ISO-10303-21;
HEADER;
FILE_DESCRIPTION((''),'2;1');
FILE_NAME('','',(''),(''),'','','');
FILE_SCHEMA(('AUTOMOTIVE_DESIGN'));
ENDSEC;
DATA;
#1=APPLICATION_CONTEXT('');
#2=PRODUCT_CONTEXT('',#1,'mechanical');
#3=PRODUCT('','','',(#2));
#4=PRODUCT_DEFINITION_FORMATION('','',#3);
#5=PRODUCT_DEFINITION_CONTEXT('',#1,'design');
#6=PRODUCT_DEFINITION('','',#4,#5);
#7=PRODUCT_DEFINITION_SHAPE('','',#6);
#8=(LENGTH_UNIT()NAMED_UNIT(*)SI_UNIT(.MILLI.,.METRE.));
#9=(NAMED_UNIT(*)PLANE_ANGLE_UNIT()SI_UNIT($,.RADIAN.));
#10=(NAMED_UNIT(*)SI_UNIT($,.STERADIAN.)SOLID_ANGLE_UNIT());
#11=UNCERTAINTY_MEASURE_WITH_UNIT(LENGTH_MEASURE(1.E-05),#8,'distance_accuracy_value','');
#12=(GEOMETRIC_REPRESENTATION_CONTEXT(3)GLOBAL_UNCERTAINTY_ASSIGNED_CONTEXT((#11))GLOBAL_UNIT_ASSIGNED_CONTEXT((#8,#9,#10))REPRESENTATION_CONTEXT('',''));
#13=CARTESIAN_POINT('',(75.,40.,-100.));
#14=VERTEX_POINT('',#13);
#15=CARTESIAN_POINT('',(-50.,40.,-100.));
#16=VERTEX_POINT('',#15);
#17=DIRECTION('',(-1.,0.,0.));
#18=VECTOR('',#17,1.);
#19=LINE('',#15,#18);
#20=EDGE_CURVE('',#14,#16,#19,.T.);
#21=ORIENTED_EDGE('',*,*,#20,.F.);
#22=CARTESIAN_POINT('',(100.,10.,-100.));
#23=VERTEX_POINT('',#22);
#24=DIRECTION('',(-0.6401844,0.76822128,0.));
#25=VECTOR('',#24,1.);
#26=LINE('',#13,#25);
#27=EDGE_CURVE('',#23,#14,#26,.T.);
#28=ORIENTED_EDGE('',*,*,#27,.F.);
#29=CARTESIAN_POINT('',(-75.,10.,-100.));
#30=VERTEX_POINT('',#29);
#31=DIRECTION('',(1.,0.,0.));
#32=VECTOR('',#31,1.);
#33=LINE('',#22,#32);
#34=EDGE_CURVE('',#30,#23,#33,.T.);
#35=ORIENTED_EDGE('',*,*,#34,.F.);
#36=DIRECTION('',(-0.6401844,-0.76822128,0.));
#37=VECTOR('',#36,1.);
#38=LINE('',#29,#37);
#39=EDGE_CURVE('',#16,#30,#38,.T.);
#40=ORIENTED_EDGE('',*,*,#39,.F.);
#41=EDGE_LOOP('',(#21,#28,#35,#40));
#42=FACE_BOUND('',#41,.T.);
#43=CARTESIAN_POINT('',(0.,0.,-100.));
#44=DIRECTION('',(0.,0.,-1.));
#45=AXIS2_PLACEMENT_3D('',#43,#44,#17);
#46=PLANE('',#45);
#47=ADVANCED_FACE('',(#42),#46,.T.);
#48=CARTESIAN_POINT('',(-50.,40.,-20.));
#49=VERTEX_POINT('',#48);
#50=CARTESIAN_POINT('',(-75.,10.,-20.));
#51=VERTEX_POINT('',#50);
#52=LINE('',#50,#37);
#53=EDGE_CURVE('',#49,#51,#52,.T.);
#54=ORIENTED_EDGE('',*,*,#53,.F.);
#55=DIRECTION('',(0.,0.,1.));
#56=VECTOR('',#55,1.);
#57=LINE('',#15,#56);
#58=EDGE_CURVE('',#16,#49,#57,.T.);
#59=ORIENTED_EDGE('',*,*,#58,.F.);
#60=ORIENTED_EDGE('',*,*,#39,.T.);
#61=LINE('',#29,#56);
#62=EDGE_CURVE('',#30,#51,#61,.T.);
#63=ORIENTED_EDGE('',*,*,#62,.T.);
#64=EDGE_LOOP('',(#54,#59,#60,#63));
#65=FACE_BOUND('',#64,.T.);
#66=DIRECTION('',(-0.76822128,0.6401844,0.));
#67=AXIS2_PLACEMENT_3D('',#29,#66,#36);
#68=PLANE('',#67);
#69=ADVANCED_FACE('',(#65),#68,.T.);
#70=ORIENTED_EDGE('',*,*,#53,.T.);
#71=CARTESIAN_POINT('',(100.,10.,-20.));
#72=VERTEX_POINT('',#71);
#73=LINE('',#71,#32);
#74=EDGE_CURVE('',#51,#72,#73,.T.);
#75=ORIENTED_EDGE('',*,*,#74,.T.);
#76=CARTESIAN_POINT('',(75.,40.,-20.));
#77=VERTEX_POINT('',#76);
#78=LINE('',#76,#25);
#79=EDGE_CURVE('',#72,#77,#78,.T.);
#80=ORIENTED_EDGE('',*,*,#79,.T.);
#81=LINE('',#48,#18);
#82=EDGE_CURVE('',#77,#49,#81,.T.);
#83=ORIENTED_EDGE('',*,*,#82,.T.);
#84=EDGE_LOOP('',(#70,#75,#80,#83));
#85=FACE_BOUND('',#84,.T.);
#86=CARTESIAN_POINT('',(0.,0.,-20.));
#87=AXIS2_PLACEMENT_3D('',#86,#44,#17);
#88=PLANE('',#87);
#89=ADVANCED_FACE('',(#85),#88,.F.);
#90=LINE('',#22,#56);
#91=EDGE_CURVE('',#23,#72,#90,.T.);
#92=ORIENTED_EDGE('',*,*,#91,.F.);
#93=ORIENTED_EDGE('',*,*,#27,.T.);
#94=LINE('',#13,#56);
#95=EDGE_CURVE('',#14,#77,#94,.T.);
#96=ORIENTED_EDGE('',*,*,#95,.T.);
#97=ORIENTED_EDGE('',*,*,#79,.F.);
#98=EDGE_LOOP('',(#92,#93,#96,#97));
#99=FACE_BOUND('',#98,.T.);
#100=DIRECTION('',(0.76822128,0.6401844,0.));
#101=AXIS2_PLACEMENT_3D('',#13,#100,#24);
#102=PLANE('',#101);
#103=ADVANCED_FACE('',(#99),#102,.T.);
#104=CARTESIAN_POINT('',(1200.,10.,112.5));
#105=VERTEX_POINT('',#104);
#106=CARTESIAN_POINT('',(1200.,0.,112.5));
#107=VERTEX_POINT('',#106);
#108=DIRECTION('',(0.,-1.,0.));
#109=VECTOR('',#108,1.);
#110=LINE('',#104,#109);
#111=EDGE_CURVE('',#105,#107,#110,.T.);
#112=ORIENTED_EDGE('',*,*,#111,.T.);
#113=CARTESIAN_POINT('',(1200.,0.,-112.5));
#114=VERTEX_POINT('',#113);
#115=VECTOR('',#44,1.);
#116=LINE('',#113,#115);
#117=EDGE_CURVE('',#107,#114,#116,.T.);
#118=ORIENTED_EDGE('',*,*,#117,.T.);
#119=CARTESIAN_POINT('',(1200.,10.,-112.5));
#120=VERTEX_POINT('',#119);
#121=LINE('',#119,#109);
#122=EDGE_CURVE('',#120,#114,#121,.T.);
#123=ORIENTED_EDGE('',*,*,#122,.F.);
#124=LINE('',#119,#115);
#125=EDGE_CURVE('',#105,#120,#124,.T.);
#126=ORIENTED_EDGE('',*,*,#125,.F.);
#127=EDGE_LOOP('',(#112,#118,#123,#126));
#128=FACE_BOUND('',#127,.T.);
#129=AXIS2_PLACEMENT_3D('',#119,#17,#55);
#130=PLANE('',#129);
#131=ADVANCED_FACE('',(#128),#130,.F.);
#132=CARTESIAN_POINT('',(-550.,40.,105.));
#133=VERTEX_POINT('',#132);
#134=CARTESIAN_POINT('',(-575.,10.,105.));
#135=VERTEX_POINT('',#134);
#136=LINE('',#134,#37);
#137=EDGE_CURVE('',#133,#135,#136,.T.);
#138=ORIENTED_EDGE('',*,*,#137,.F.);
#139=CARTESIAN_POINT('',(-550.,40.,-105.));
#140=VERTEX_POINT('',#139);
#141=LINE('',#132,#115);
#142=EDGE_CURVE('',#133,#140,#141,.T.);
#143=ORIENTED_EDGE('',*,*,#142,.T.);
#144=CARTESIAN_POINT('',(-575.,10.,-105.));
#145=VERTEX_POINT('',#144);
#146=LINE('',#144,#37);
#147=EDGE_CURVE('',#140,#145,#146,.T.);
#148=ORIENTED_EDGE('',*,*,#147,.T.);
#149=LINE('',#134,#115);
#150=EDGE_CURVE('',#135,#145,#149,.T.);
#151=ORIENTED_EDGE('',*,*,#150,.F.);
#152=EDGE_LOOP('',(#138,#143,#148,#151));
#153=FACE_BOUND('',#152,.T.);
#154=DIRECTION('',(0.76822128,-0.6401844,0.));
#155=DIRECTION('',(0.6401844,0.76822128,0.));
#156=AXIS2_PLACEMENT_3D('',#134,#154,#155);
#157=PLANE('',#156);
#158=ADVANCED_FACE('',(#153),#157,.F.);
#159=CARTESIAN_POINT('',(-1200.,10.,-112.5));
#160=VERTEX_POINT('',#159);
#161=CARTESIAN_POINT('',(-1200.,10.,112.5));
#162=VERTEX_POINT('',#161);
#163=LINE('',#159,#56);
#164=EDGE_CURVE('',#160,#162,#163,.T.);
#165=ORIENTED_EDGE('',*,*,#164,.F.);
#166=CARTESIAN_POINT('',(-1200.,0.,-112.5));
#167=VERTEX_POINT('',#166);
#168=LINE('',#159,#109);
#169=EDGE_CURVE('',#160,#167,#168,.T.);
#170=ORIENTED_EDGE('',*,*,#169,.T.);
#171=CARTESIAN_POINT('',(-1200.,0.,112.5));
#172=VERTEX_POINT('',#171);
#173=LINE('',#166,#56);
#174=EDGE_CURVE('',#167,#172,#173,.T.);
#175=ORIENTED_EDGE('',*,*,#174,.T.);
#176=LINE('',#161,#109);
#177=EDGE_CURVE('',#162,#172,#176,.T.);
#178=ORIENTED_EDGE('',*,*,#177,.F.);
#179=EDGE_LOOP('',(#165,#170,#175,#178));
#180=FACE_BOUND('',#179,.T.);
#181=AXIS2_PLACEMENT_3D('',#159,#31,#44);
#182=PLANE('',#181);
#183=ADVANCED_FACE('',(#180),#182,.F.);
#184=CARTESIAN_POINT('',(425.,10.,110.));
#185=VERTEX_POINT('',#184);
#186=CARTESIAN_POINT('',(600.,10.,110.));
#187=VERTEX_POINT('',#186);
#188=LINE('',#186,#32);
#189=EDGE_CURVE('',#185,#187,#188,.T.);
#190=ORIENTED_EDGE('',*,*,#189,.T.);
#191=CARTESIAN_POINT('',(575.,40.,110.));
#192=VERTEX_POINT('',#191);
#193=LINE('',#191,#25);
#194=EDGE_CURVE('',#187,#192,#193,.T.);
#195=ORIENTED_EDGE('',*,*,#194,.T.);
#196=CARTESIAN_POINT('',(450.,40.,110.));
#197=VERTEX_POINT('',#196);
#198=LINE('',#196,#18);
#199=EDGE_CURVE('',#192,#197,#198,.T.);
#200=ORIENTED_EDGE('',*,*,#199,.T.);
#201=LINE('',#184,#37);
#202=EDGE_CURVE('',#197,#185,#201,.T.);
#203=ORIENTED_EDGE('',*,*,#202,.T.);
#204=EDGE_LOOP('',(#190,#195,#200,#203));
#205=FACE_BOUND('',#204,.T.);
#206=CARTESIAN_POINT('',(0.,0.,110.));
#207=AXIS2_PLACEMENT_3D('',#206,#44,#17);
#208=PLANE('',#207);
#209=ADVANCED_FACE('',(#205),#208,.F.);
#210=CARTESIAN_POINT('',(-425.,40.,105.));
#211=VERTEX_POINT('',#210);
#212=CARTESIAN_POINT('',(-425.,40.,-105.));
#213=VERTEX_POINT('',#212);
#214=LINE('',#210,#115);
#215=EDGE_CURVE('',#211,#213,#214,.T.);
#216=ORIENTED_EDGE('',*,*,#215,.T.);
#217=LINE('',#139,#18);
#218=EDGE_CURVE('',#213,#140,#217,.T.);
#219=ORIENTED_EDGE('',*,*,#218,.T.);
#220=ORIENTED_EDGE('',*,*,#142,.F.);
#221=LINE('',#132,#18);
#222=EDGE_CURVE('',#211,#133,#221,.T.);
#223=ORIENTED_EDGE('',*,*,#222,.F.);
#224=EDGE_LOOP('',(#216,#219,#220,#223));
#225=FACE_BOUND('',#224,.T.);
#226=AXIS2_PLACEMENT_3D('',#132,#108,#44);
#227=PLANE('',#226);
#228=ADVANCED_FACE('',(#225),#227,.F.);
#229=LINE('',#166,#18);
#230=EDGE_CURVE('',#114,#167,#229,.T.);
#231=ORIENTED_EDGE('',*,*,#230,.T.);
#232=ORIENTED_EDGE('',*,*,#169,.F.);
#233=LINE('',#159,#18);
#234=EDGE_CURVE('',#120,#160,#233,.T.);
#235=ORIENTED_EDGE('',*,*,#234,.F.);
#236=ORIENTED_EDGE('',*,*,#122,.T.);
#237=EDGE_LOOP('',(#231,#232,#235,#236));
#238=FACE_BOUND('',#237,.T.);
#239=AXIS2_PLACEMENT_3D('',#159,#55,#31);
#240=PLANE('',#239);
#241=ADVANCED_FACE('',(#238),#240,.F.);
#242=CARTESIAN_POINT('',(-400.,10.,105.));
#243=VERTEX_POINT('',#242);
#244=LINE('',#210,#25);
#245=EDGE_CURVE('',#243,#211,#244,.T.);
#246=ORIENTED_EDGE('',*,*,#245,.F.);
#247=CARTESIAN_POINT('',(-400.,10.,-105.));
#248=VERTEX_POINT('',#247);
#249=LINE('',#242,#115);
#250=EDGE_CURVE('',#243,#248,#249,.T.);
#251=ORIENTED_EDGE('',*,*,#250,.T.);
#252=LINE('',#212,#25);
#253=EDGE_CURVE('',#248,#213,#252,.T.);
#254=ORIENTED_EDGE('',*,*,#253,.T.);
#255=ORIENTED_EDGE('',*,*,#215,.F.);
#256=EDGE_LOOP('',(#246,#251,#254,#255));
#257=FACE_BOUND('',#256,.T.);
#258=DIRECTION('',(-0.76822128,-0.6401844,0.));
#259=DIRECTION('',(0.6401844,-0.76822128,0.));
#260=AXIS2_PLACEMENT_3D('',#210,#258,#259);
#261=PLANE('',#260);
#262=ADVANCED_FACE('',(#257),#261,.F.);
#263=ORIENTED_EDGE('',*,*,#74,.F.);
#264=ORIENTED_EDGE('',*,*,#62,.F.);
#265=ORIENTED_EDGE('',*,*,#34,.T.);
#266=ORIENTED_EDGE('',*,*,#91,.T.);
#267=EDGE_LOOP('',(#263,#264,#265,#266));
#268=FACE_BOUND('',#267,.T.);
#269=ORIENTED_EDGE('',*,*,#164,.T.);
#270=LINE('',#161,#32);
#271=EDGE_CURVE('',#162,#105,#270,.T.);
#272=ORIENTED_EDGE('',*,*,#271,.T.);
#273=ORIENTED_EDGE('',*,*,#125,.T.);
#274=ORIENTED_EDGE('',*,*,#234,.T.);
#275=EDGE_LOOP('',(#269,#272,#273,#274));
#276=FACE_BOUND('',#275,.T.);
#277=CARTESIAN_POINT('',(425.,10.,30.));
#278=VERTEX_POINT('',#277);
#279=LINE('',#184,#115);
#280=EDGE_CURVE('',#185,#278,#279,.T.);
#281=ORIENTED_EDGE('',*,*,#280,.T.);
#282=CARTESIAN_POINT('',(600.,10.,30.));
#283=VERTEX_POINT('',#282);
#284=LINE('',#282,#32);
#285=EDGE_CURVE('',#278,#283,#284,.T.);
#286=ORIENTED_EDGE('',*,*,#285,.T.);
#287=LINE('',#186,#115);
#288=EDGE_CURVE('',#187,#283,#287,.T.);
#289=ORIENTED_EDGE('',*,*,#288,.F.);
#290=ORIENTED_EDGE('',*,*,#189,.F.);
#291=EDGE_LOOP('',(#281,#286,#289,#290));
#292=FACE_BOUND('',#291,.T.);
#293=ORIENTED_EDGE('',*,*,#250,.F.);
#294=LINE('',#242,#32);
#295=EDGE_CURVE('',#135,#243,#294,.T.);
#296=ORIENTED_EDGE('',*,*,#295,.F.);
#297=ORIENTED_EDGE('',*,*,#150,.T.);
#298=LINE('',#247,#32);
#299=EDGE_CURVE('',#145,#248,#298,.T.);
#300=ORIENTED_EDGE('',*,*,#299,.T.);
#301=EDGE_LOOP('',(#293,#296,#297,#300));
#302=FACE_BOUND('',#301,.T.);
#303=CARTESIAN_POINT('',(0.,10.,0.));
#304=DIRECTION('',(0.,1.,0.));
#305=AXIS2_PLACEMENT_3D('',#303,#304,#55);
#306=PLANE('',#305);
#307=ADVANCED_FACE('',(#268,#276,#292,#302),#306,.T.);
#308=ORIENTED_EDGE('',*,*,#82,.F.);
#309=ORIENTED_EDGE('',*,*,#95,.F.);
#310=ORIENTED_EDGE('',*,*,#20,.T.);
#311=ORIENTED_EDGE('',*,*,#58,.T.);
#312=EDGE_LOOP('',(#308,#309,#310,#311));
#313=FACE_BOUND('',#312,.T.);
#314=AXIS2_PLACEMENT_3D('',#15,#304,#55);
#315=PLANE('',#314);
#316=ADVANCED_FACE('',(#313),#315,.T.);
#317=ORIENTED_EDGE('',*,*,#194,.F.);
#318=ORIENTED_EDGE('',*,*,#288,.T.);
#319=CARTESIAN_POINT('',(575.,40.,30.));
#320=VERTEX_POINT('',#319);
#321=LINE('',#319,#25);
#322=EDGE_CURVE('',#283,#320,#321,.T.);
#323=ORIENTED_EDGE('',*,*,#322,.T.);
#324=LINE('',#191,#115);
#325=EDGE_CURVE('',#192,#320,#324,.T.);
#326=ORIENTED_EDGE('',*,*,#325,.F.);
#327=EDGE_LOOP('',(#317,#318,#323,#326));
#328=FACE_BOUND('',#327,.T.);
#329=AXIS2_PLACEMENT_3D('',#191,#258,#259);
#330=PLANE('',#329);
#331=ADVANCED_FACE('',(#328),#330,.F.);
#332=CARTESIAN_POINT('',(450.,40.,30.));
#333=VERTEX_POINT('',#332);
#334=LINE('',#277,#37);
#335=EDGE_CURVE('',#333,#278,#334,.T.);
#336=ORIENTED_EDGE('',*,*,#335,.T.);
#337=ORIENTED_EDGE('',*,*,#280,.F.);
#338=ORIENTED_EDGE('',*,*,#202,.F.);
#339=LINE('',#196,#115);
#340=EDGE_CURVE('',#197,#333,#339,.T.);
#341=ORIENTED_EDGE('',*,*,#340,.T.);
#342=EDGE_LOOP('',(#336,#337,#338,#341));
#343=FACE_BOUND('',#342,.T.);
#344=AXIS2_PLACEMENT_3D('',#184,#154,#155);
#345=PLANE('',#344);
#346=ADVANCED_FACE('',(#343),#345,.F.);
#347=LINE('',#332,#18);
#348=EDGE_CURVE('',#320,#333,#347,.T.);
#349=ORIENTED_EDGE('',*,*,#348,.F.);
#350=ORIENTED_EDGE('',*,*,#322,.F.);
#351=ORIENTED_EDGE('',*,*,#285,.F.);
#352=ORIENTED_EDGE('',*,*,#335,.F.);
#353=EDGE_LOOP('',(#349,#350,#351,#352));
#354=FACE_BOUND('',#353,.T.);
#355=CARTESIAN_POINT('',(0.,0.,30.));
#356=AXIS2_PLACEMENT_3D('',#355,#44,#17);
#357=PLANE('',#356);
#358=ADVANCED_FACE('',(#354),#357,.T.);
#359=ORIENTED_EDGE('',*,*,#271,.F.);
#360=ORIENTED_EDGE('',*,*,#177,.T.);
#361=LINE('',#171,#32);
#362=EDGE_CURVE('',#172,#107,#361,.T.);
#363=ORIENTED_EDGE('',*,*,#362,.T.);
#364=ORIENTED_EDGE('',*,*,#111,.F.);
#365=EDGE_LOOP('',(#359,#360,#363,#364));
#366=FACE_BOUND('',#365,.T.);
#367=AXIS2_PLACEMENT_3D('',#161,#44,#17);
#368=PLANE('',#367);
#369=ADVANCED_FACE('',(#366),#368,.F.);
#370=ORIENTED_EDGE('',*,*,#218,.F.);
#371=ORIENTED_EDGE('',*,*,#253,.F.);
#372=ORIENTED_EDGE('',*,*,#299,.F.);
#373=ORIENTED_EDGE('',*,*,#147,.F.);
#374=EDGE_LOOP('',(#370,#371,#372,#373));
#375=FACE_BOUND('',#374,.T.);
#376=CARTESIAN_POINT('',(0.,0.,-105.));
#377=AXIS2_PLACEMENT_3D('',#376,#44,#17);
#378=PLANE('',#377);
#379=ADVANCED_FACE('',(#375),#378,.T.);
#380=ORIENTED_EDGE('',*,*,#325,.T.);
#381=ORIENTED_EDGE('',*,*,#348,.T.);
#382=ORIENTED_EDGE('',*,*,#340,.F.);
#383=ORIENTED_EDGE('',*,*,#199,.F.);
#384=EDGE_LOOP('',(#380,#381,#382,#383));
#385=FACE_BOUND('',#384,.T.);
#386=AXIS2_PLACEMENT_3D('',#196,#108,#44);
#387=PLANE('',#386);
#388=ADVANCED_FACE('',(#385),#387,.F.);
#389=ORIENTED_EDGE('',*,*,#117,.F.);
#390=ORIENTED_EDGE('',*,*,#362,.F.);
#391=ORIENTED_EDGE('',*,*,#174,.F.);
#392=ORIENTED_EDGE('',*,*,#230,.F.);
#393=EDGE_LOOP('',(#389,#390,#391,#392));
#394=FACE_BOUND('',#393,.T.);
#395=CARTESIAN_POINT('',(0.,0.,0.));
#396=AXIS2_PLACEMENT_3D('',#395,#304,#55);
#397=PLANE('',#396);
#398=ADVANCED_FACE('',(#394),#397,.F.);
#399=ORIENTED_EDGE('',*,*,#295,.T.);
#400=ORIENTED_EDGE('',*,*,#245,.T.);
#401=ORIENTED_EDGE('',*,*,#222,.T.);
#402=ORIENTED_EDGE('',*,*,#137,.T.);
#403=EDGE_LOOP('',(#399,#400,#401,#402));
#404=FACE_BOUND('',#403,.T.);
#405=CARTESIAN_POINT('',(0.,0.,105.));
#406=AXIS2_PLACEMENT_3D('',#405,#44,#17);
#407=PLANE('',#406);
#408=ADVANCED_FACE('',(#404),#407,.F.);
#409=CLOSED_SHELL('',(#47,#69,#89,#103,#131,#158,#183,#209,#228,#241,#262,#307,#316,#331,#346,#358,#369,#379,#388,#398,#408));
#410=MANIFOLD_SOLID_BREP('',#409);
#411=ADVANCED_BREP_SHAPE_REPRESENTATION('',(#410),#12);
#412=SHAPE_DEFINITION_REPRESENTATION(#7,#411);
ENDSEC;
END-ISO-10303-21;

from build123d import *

# Parameters (mm, degrees)
SKETCH1_W           = 2400
SKETCH1_H           = 225
BOSS_EXTRUDE1_DEPTH = 10
BOSS_EXTRUDE2_START = 30
BOSS_EXTRUDE2_DEPTH = 80
BOSS_EXTRUDE3_START = -20
BOSS_EXTRUDE3_DEPTH = 80
BOSS_EXTRUDE4_DEPTH = 105


with BuildPart() as part:
    # Sketch1 → Boss-Extrude1 (new body)
    with BuildSketch(Plane(origin=(0, 0, 0), x_dir=(1, 0, 0), z_dir=(0, 1, 0))):
        Rectangle(SKETCH1_W, SKETCH1_H)
    extrude(amount=BOSS_EXTRUDE1_DEPTH)

    # Sketch2 → Boss-Extrude2 (add)
    with BuildSketch(Plane.XY.offset(BOSS_EXTRUDE2_START)):
        Polygon((425, 10), (450, 40), (575, 40), (600, 10), align=None)
    extrude(amount=BOSS_EXTRUDE2_DEPTH)

    # Sketch3 → Boss-Extrude3 (add)
    with BuildSketch(Plane.XY.offset(BOSS_EXTRUDE3_START)):
        Polygon((100, 10), (-75, 10), (-50, 40), (75, 40), align=None)
    extrude(amount=-BOSS_EXTRUDE3_DEPTH)

    # Sketch4 → Boss-Extrude4 (add, symmetric)
    with BuildSketch(Plane.XY):
        Polygon((-400, 10), (-575, 10), (-550, 40), (-425, 40), align=None)
    extrude(amount=BOSS_EXTRUDE4_DEPTH, both=True)


solid = part.part
